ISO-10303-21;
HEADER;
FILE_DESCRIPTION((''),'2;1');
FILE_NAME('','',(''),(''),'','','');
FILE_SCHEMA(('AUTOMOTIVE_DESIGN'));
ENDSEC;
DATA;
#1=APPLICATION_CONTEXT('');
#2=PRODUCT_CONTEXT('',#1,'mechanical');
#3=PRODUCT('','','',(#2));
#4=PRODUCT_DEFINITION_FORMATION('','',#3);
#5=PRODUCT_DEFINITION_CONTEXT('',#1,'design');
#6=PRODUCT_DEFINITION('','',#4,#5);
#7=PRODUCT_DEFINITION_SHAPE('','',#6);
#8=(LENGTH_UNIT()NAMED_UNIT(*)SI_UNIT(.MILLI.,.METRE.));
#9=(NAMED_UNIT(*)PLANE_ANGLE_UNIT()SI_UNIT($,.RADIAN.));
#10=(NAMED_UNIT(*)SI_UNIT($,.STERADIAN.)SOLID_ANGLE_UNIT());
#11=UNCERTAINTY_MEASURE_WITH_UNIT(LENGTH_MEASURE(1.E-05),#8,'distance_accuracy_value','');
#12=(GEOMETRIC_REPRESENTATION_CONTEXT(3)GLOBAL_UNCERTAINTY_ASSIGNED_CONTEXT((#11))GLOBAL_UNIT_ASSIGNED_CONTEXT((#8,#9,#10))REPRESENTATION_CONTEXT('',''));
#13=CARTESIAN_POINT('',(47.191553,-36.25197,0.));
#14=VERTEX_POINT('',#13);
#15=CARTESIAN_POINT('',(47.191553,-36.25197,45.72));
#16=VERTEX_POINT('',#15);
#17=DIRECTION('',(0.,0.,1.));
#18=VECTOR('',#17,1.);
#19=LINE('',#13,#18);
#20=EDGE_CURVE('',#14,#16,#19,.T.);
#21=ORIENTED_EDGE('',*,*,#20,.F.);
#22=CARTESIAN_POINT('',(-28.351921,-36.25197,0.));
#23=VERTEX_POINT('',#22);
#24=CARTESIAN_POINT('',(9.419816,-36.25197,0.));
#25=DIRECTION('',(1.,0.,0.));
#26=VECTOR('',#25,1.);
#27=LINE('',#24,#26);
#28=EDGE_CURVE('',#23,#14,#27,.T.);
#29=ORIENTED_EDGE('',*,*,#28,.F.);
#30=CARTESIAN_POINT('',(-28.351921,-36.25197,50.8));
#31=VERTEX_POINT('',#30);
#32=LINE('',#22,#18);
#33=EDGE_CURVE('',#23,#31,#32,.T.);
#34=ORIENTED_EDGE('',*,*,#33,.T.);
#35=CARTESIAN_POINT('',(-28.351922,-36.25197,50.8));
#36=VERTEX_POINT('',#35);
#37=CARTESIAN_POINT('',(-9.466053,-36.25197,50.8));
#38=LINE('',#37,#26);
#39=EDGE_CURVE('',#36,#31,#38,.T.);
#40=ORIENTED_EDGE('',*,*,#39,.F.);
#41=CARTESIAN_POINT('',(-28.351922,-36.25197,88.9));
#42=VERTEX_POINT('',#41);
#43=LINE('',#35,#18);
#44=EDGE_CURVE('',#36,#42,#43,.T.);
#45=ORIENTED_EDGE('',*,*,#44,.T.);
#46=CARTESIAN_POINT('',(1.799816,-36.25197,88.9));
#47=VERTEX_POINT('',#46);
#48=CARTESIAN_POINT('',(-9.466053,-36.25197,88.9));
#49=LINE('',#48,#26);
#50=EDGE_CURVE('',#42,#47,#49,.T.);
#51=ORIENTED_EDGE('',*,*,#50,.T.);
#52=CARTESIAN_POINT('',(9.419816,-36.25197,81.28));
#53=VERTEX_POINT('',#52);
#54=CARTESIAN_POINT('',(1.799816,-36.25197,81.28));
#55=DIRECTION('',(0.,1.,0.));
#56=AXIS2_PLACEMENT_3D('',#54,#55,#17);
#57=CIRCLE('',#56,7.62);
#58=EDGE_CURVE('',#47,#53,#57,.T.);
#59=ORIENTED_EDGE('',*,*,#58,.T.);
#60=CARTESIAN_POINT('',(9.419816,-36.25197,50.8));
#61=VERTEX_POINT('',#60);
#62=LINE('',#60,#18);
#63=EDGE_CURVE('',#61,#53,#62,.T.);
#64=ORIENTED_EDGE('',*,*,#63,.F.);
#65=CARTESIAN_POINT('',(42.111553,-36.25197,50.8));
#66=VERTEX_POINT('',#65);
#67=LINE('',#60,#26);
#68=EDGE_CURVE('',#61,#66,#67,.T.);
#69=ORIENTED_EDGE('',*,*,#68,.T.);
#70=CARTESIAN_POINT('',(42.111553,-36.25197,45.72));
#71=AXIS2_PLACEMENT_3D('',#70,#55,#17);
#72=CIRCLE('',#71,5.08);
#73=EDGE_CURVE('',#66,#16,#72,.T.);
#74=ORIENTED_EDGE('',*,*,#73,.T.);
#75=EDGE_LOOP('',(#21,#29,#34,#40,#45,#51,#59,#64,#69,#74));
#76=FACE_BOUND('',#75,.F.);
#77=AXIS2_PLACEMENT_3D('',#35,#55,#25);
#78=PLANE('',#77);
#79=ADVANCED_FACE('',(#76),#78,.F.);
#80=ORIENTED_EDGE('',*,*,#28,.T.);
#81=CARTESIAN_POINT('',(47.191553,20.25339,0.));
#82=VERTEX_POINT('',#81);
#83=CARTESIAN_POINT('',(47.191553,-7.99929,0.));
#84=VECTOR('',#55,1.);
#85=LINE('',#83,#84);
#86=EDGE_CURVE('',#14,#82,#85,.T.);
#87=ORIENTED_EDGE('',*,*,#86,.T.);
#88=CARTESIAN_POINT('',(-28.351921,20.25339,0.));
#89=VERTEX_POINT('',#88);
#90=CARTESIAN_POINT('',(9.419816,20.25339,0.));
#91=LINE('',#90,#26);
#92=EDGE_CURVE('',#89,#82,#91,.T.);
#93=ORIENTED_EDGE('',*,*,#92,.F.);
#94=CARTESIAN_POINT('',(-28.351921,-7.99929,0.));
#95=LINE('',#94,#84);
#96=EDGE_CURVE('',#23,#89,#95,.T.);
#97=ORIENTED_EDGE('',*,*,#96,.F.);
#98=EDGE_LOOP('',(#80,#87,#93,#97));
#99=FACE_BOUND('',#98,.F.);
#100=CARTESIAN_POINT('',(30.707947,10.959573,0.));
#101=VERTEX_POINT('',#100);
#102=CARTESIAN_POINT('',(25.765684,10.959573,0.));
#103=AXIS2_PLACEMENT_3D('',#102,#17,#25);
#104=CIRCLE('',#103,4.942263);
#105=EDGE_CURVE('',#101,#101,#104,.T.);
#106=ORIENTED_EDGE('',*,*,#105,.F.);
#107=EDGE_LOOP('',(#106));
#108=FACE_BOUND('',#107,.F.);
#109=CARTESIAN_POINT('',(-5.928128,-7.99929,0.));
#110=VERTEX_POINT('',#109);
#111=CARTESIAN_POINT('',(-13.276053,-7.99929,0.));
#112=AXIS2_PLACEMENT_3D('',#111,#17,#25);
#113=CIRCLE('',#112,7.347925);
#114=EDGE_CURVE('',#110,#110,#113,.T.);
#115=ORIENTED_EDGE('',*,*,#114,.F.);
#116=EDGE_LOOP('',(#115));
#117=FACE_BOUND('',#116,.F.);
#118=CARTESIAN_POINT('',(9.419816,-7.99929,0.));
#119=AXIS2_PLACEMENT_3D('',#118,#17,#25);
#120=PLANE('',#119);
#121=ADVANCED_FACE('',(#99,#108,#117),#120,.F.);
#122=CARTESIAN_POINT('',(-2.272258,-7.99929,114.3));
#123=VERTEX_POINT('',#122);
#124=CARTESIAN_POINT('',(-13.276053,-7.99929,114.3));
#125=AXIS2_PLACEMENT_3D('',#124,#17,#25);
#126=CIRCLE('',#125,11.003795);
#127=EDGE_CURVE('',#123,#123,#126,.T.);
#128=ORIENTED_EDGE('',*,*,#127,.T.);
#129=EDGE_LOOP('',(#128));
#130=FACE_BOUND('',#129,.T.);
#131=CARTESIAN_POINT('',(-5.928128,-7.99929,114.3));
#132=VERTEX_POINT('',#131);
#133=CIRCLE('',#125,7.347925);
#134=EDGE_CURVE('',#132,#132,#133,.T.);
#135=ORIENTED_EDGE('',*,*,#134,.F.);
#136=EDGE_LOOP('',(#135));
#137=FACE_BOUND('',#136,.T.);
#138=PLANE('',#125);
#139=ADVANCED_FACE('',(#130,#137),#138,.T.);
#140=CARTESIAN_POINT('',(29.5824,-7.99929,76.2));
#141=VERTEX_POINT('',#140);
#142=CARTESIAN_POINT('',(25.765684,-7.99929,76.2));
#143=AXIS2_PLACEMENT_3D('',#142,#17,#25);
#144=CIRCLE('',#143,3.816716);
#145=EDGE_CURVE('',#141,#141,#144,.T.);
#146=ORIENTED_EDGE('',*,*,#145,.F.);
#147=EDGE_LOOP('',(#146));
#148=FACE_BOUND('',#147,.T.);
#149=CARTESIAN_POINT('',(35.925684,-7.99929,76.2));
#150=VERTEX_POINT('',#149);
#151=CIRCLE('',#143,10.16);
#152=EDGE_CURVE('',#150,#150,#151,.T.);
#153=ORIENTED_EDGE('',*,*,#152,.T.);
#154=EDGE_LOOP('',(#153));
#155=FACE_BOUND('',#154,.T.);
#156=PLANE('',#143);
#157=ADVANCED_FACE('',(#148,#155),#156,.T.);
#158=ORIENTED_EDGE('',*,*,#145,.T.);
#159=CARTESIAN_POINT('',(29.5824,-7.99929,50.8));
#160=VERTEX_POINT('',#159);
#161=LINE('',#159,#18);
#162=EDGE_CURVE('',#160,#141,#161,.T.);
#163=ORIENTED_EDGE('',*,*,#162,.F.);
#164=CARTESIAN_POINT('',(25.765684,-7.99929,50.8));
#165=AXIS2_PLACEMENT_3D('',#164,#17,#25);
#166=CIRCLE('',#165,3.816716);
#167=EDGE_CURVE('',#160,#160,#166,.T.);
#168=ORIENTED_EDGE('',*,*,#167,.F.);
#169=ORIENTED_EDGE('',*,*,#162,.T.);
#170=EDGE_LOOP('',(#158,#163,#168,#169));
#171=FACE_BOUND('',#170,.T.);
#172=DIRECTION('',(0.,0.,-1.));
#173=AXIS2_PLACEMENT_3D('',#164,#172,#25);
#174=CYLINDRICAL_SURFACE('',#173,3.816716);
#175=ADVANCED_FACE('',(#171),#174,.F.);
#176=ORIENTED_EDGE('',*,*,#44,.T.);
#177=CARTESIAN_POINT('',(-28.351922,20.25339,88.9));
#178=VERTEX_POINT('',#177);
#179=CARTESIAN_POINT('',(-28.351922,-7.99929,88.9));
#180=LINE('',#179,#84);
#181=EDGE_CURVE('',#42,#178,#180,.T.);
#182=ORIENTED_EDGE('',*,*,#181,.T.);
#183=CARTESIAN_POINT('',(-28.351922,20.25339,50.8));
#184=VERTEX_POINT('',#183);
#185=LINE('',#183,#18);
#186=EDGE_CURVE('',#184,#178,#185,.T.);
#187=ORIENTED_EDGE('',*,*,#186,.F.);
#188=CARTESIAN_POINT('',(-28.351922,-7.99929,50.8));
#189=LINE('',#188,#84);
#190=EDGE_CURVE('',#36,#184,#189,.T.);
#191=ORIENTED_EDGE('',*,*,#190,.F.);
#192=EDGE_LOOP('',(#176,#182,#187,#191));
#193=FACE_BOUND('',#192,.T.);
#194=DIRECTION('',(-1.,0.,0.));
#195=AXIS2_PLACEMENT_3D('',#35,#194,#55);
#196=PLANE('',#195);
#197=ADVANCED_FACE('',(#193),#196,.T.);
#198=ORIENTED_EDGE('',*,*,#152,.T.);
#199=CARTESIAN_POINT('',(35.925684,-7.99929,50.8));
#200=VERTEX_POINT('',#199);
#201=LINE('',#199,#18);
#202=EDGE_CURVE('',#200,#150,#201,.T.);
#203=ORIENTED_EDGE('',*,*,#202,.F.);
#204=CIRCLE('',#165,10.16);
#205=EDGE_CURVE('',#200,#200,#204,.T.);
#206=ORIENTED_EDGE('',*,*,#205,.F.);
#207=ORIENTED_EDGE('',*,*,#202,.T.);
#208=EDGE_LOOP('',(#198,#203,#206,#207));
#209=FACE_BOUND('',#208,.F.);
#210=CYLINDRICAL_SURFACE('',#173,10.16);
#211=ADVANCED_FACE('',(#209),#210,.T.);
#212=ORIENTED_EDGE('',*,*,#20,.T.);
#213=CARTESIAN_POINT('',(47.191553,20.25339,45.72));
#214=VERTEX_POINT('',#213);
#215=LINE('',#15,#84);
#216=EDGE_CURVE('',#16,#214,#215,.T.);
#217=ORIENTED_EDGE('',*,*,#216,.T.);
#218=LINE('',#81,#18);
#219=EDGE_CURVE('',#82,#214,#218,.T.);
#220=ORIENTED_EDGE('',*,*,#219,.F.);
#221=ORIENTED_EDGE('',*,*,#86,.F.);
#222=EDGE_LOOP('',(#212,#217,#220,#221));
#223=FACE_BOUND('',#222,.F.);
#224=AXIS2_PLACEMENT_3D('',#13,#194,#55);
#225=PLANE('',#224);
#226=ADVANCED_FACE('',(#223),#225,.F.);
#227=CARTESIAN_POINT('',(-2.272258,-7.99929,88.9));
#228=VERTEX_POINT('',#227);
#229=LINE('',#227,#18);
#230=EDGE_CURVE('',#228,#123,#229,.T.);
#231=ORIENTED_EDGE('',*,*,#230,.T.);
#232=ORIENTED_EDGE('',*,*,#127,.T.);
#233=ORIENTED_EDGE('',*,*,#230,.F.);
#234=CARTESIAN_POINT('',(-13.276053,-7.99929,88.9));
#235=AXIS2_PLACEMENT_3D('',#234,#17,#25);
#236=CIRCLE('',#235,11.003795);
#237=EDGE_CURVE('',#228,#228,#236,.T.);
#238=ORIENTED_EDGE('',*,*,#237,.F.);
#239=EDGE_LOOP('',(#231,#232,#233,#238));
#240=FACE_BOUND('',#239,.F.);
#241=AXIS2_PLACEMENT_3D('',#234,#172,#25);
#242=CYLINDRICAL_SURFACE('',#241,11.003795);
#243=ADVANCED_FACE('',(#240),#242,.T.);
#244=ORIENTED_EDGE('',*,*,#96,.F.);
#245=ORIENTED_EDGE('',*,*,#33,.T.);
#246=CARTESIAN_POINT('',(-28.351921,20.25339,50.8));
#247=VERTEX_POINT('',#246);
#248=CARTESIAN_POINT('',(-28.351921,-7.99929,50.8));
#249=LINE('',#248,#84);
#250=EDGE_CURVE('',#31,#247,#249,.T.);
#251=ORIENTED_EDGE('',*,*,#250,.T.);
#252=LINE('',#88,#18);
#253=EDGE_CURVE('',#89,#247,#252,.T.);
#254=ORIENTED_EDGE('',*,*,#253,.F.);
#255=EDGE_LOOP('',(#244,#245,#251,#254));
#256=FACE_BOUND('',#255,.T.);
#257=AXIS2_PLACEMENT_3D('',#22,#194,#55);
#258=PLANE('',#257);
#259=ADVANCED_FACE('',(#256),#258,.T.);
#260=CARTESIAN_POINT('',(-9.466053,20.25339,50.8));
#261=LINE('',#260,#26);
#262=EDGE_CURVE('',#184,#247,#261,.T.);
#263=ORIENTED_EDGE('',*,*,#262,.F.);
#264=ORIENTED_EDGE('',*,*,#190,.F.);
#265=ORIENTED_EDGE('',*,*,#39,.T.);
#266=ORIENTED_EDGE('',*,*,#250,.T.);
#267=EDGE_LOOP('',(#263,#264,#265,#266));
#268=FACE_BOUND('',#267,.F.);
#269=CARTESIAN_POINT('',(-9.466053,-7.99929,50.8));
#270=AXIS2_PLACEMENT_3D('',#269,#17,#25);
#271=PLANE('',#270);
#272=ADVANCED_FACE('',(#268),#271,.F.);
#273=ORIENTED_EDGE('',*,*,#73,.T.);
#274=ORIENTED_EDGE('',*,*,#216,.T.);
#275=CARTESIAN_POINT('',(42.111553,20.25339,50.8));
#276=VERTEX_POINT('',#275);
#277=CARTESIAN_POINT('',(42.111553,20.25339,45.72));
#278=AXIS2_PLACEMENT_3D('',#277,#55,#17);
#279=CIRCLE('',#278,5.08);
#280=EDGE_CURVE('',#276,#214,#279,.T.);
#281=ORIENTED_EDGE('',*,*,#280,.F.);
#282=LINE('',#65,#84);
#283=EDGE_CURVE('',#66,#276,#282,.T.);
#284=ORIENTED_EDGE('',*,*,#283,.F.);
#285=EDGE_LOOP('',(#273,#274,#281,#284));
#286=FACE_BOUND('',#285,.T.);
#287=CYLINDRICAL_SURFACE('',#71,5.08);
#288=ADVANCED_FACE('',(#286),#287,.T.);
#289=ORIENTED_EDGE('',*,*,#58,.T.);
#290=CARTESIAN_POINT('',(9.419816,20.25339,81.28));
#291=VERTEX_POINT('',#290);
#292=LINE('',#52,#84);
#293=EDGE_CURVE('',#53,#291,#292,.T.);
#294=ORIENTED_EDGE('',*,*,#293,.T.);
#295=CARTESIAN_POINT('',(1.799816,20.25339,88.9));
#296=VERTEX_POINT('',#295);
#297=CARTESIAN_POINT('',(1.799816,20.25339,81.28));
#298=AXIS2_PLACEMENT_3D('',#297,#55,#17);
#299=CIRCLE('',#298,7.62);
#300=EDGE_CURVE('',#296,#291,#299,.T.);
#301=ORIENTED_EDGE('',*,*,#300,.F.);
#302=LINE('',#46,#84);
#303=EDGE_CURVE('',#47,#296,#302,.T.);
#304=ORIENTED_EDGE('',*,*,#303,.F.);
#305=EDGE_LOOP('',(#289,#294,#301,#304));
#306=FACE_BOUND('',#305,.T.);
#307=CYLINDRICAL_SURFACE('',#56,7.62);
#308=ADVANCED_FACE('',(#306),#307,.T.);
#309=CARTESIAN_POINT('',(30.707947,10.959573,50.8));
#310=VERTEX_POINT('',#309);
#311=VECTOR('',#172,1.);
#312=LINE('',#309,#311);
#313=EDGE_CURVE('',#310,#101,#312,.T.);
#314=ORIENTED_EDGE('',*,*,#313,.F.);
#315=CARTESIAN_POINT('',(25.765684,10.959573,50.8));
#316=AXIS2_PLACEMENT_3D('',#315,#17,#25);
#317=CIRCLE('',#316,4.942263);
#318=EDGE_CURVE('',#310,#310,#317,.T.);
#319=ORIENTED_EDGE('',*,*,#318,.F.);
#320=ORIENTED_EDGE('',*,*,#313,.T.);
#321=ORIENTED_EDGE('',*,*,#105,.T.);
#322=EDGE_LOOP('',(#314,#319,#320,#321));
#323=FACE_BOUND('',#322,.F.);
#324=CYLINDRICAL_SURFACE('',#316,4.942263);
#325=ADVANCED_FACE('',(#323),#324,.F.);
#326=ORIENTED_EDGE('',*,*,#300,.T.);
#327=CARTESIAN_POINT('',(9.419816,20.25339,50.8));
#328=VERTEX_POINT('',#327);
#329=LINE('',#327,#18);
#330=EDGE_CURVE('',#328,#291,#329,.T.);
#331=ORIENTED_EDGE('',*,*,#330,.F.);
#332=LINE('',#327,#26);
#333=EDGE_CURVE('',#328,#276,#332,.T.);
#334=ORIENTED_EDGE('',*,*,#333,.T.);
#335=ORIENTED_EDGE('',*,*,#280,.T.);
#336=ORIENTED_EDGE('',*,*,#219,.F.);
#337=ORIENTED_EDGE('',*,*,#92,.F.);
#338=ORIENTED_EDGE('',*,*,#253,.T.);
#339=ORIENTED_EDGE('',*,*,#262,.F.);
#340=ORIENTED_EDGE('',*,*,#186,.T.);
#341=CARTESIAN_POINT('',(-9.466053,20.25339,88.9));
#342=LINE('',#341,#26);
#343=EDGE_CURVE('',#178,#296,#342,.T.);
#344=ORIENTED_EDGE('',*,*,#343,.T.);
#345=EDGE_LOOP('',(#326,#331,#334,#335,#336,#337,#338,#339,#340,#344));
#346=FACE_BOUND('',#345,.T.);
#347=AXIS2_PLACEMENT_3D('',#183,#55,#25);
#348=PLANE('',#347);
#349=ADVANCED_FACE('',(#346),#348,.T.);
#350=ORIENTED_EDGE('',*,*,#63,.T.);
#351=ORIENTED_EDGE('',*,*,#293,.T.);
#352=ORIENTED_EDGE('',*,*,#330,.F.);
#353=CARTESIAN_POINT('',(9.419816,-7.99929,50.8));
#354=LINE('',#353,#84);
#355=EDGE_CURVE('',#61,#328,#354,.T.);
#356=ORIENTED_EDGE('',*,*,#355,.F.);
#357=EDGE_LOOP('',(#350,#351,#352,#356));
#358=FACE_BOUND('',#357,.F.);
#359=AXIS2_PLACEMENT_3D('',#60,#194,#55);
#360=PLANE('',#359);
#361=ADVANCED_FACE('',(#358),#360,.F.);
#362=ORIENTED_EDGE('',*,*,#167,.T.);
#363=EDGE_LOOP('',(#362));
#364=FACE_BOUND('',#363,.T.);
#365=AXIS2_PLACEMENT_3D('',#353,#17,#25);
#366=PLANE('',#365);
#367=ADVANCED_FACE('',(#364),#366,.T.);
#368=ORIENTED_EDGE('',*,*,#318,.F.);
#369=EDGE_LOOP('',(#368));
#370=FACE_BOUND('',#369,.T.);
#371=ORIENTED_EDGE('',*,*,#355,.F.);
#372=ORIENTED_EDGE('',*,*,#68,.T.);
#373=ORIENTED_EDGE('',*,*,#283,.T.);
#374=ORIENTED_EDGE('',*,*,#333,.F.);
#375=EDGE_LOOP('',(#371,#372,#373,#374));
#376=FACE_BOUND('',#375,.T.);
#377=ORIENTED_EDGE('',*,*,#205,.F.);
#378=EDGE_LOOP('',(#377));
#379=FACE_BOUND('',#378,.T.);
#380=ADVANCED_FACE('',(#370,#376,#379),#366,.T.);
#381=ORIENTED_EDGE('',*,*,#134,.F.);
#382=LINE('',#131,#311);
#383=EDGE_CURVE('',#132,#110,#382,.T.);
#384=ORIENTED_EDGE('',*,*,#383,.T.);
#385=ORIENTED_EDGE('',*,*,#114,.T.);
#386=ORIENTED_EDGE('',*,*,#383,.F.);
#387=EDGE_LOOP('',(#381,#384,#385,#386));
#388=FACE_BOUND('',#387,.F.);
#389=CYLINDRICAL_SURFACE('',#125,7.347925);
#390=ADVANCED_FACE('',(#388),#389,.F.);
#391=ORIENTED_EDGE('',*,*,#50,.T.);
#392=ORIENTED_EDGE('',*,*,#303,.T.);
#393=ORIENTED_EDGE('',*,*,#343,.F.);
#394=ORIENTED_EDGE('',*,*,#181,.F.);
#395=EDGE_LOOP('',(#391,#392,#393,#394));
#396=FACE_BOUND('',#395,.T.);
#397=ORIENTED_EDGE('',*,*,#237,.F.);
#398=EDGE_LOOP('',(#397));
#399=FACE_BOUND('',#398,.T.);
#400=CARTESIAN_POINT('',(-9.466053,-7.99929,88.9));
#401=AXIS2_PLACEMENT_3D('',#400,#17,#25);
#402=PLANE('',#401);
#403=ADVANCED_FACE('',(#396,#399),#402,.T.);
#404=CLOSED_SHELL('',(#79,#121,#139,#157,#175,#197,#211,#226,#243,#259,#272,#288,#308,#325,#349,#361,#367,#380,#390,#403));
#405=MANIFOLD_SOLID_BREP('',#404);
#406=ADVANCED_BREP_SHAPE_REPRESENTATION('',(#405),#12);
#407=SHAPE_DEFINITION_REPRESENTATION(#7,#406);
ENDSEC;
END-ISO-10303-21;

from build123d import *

# Parameters (mm, degrees)
F0_W      = 75.543475
F0_H      = 56.50536
F1_DEPTH  = 50.8
F2_W      = 37.771738
F2_H      = 56.50536
F3_DEPTH  = 38.1
F4_R      = 7.62
F5_R      = 5.08
F6_R      = 11.003795
F8_DEPTH  = 25.4
F7_R      = 10.16
F7_R_2    = 3.816716
F9_DEPTH  = 25.4
F7_R_3    = 4.942263
F10_DEPTH = 142.256165
F11_R     = 7.347925
F12_DEPTH = 124.534214


with BuildPart() as f1:
    # F0 (on Top) → F1 (new body)
    with BuildSketch(Plane.XY):
        with Locations((9.419816, -7.99929)):
            Rectangle(F0_W, F0_H)
    extrude(amount=F1_DEPTH)

    # F2 (on face) → F3 (join)
    with BuildSketch(Plane.XY.offset(50.8)):
        with Locations((-9.466053, -7.99929)):
            Rectangle(F2_W, F2_H)
    extrude(amount=F3_DEPTH)

    # F4
    f4_edges = [f1.edges().sort_by_distance(p)[0] for p in [
        (9.419816, -7.99929, 88.9),
    ]]
    fillet(f4_edges, radius=F4_R)

    # F5
    f5_edges = [f1.edges().sort_by_distance(p)[0] for p in [
        (47.191553, -7.99929, 50.8),
    ]]
    fillet(f5_edges, radius=F5_R)

    # F6 (on face) → F8 (join)
    with BuildSketch(Plane.XY.offset(88.9)):
        with Locations((-13.276053, -7.99929)):
            Circle(F6_R)
    extrude(amount=F8_DEPTH)

    # F7 (on face) → F9 (join)
    with BuildSketch(Plane.XY.offset(50.8)):
        with Locations((25.765684, -7.99929)):
            Circle(F7_R)
        with Locations((25.765684, -7.99929)):
            Circle(F7_R_2, mode=Mode.SUBTRACT)
    extrude(amount=F9_DEPTH)

    # F7 (on face) → F10 (cut)
    with BuildSketch(Plane.XY.offset(50.8)):
        with Locations((25.765684, 10.959573)):
            Circle(F7_R_3)
    extrude(amount=-F10_DEPTH, mode=Mode.SUBTRACT)

    # F11 (on face) → F12 (cut)
    with BuildSketch(Plane.XY.offset(114.3)):
        with Locations((-13.276053, -7.99929)):
            Circle(F11_R)
    extrude(amount=-F12_DEPTH, mode=Mode.SUBTRACT)


solid = f1.part
